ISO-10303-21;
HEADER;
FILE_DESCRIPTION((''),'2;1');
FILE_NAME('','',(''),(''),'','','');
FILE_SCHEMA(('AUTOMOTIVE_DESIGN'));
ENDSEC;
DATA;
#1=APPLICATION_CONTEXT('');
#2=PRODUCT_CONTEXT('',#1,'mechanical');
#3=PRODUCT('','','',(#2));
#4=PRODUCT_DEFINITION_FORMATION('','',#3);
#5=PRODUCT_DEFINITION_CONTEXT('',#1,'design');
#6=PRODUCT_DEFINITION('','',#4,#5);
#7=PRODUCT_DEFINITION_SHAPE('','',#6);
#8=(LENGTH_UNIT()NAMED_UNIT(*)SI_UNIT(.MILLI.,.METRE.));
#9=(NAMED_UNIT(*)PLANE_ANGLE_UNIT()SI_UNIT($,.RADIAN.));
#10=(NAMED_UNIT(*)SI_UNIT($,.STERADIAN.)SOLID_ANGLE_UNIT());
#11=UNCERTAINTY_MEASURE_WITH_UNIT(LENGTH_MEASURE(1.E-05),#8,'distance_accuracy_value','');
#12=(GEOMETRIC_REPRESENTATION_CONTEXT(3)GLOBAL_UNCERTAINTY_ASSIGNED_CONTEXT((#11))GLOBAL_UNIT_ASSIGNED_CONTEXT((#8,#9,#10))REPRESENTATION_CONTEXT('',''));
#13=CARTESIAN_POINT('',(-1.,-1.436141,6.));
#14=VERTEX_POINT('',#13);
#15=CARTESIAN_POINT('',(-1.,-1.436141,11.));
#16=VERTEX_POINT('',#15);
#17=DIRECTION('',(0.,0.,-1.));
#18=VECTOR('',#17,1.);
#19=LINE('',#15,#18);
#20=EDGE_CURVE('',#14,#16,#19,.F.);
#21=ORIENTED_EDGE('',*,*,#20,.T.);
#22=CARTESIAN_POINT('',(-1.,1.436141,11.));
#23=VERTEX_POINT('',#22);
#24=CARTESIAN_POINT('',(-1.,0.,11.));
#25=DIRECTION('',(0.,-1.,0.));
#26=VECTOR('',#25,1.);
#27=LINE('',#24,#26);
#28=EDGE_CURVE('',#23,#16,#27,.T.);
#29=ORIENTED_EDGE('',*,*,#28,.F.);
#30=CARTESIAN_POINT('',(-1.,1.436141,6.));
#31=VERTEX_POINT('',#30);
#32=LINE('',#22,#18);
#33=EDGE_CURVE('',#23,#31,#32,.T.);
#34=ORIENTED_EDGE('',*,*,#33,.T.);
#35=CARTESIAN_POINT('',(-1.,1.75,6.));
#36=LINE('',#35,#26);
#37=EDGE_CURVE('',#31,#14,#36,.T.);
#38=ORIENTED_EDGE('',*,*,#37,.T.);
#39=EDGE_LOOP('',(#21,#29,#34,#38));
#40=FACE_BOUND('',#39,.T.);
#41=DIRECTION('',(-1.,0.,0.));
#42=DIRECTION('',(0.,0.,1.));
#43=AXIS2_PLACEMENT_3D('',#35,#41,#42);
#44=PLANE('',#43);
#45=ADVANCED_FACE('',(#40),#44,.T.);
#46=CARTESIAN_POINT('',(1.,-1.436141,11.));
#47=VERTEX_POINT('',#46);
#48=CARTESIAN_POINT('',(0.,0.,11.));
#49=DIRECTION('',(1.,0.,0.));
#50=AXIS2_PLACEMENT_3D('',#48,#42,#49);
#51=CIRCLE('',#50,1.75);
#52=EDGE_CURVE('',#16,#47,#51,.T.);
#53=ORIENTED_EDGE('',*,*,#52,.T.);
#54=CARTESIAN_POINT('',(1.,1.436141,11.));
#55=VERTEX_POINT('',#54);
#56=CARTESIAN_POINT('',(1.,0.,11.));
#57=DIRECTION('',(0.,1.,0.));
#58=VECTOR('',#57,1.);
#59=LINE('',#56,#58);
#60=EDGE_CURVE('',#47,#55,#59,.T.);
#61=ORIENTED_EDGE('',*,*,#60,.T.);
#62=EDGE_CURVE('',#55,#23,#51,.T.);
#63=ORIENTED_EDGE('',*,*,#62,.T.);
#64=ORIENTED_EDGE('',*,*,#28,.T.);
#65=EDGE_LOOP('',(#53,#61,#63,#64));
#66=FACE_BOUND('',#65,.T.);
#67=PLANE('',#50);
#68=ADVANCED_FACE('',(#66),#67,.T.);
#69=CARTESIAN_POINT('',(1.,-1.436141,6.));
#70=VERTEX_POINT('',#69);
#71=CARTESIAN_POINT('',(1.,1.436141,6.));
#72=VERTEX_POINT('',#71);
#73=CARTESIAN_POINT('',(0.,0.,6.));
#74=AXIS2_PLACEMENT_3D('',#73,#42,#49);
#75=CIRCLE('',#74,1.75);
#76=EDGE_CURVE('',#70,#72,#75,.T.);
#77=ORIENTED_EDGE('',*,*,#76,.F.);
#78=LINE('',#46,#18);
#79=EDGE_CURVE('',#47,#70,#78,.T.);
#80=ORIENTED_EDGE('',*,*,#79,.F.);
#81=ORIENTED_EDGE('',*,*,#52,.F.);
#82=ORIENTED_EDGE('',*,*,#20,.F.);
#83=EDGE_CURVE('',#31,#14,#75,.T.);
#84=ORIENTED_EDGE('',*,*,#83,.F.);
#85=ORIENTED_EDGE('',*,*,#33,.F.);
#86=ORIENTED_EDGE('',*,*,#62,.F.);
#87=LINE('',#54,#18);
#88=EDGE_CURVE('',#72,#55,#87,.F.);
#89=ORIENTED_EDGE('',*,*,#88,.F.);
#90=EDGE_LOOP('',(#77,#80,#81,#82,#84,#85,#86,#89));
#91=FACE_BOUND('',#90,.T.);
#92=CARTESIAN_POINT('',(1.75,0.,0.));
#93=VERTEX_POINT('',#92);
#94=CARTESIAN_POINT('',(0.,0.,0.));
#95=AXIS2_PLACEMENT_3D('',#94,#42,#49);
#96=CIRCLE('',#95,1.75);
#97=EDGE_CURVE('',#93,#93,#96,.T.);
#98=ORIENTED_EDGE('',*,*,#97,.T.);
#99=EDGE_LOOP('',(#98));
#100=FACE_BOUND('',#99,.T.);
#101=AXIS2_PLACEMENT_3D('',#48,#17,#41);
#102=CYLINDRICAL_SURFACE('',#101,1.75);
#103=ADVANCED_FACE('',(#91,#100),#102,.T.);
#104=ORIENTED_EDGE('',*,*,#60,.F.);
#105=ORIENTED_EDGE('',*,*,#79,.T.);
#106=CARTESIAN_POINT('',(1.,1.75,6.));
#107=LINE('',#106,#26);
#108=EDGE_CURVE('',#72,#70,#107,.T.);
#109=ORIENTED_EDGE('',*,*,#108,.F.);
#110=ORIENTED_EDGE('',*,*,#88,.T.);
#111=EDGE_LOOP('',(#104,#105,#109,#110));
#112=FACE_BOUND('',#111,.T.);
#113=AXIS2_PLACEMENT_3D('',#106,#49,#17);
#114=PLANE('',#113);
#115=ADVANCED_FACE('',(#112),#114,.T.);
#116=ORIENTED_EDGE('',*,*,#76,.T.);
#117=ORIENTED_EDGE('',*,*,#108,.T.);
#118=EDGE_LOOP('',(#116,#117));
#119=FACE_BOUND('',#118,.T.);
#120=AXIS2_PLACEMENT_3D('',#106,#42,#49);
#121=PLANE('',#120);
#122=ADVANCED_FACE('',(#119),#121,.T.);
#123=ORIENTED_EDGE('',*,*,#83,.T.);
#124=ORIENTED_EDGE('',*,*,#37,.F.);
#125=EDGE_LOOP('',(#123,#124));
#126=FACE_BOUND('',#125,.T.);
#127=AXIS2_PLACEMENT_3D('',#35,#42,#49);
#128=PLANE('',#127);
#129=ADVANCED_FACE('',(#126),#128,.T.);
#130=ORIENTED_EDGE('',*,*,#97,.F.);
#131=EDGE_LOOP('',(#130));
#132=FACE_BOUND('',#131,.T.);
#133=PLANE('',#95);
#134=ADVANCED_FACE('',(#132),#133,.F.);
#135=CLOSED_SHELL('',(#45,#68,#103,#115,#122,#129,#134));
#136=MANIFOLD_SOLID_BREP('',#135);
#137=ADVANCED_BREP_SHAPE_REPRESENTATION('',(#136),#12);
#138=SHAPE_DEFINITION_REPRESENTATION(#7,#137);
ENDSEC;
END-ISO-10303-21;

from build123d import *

# Parameters (mm, degrees)
CROQUIS1_R                 = 1.75
SALIENTE_EXTRUIR1_DEPTH    = 11
CORTAR_EXTRUIR1_DEPTH      = 1.75
CORTAR_EXTRUIR1_DEPTH_BACK = 1.75
CROQUIS2_W                 = 0.75
CROQUIS2_H                 = 5


with BuildPart() as part:
    # Croquis1 → Saliente-Extruir1 (new body)
    with BuildSketch(Plane.XY):
        Circle(CROQUIS1_R)
    extrude(amount=SALIENTE_EXTRUIR1_DEPTH)

    # Croquis2 → Cortar-Extruir1 (cut, two sides: drawn at the far end of the back side and taken through both)
    with BuildSketch(Plane(origin=(0, 0, 0), x_dir=(1, 0, 0), z_dir=(0, 1, 0)).offset(-CORTAR_EXTRUIR1_DEPTH_BACK)):
        with Locations((-1.375, -8.5)):
            Rectangle(CROQUIS2_W, CROQUIS2_H)
        with Locations((1.375, -8.5)):
            Rectangle(CROQUIS2_W, CROQUIS2_H)
    extrude(amount=CORTAR_EXTRUIR1_DEPTH + CORTAR_EXTRUIR1_DEPTH_BACK, mode=Mode.SUBTRACT)


solid = part.part
